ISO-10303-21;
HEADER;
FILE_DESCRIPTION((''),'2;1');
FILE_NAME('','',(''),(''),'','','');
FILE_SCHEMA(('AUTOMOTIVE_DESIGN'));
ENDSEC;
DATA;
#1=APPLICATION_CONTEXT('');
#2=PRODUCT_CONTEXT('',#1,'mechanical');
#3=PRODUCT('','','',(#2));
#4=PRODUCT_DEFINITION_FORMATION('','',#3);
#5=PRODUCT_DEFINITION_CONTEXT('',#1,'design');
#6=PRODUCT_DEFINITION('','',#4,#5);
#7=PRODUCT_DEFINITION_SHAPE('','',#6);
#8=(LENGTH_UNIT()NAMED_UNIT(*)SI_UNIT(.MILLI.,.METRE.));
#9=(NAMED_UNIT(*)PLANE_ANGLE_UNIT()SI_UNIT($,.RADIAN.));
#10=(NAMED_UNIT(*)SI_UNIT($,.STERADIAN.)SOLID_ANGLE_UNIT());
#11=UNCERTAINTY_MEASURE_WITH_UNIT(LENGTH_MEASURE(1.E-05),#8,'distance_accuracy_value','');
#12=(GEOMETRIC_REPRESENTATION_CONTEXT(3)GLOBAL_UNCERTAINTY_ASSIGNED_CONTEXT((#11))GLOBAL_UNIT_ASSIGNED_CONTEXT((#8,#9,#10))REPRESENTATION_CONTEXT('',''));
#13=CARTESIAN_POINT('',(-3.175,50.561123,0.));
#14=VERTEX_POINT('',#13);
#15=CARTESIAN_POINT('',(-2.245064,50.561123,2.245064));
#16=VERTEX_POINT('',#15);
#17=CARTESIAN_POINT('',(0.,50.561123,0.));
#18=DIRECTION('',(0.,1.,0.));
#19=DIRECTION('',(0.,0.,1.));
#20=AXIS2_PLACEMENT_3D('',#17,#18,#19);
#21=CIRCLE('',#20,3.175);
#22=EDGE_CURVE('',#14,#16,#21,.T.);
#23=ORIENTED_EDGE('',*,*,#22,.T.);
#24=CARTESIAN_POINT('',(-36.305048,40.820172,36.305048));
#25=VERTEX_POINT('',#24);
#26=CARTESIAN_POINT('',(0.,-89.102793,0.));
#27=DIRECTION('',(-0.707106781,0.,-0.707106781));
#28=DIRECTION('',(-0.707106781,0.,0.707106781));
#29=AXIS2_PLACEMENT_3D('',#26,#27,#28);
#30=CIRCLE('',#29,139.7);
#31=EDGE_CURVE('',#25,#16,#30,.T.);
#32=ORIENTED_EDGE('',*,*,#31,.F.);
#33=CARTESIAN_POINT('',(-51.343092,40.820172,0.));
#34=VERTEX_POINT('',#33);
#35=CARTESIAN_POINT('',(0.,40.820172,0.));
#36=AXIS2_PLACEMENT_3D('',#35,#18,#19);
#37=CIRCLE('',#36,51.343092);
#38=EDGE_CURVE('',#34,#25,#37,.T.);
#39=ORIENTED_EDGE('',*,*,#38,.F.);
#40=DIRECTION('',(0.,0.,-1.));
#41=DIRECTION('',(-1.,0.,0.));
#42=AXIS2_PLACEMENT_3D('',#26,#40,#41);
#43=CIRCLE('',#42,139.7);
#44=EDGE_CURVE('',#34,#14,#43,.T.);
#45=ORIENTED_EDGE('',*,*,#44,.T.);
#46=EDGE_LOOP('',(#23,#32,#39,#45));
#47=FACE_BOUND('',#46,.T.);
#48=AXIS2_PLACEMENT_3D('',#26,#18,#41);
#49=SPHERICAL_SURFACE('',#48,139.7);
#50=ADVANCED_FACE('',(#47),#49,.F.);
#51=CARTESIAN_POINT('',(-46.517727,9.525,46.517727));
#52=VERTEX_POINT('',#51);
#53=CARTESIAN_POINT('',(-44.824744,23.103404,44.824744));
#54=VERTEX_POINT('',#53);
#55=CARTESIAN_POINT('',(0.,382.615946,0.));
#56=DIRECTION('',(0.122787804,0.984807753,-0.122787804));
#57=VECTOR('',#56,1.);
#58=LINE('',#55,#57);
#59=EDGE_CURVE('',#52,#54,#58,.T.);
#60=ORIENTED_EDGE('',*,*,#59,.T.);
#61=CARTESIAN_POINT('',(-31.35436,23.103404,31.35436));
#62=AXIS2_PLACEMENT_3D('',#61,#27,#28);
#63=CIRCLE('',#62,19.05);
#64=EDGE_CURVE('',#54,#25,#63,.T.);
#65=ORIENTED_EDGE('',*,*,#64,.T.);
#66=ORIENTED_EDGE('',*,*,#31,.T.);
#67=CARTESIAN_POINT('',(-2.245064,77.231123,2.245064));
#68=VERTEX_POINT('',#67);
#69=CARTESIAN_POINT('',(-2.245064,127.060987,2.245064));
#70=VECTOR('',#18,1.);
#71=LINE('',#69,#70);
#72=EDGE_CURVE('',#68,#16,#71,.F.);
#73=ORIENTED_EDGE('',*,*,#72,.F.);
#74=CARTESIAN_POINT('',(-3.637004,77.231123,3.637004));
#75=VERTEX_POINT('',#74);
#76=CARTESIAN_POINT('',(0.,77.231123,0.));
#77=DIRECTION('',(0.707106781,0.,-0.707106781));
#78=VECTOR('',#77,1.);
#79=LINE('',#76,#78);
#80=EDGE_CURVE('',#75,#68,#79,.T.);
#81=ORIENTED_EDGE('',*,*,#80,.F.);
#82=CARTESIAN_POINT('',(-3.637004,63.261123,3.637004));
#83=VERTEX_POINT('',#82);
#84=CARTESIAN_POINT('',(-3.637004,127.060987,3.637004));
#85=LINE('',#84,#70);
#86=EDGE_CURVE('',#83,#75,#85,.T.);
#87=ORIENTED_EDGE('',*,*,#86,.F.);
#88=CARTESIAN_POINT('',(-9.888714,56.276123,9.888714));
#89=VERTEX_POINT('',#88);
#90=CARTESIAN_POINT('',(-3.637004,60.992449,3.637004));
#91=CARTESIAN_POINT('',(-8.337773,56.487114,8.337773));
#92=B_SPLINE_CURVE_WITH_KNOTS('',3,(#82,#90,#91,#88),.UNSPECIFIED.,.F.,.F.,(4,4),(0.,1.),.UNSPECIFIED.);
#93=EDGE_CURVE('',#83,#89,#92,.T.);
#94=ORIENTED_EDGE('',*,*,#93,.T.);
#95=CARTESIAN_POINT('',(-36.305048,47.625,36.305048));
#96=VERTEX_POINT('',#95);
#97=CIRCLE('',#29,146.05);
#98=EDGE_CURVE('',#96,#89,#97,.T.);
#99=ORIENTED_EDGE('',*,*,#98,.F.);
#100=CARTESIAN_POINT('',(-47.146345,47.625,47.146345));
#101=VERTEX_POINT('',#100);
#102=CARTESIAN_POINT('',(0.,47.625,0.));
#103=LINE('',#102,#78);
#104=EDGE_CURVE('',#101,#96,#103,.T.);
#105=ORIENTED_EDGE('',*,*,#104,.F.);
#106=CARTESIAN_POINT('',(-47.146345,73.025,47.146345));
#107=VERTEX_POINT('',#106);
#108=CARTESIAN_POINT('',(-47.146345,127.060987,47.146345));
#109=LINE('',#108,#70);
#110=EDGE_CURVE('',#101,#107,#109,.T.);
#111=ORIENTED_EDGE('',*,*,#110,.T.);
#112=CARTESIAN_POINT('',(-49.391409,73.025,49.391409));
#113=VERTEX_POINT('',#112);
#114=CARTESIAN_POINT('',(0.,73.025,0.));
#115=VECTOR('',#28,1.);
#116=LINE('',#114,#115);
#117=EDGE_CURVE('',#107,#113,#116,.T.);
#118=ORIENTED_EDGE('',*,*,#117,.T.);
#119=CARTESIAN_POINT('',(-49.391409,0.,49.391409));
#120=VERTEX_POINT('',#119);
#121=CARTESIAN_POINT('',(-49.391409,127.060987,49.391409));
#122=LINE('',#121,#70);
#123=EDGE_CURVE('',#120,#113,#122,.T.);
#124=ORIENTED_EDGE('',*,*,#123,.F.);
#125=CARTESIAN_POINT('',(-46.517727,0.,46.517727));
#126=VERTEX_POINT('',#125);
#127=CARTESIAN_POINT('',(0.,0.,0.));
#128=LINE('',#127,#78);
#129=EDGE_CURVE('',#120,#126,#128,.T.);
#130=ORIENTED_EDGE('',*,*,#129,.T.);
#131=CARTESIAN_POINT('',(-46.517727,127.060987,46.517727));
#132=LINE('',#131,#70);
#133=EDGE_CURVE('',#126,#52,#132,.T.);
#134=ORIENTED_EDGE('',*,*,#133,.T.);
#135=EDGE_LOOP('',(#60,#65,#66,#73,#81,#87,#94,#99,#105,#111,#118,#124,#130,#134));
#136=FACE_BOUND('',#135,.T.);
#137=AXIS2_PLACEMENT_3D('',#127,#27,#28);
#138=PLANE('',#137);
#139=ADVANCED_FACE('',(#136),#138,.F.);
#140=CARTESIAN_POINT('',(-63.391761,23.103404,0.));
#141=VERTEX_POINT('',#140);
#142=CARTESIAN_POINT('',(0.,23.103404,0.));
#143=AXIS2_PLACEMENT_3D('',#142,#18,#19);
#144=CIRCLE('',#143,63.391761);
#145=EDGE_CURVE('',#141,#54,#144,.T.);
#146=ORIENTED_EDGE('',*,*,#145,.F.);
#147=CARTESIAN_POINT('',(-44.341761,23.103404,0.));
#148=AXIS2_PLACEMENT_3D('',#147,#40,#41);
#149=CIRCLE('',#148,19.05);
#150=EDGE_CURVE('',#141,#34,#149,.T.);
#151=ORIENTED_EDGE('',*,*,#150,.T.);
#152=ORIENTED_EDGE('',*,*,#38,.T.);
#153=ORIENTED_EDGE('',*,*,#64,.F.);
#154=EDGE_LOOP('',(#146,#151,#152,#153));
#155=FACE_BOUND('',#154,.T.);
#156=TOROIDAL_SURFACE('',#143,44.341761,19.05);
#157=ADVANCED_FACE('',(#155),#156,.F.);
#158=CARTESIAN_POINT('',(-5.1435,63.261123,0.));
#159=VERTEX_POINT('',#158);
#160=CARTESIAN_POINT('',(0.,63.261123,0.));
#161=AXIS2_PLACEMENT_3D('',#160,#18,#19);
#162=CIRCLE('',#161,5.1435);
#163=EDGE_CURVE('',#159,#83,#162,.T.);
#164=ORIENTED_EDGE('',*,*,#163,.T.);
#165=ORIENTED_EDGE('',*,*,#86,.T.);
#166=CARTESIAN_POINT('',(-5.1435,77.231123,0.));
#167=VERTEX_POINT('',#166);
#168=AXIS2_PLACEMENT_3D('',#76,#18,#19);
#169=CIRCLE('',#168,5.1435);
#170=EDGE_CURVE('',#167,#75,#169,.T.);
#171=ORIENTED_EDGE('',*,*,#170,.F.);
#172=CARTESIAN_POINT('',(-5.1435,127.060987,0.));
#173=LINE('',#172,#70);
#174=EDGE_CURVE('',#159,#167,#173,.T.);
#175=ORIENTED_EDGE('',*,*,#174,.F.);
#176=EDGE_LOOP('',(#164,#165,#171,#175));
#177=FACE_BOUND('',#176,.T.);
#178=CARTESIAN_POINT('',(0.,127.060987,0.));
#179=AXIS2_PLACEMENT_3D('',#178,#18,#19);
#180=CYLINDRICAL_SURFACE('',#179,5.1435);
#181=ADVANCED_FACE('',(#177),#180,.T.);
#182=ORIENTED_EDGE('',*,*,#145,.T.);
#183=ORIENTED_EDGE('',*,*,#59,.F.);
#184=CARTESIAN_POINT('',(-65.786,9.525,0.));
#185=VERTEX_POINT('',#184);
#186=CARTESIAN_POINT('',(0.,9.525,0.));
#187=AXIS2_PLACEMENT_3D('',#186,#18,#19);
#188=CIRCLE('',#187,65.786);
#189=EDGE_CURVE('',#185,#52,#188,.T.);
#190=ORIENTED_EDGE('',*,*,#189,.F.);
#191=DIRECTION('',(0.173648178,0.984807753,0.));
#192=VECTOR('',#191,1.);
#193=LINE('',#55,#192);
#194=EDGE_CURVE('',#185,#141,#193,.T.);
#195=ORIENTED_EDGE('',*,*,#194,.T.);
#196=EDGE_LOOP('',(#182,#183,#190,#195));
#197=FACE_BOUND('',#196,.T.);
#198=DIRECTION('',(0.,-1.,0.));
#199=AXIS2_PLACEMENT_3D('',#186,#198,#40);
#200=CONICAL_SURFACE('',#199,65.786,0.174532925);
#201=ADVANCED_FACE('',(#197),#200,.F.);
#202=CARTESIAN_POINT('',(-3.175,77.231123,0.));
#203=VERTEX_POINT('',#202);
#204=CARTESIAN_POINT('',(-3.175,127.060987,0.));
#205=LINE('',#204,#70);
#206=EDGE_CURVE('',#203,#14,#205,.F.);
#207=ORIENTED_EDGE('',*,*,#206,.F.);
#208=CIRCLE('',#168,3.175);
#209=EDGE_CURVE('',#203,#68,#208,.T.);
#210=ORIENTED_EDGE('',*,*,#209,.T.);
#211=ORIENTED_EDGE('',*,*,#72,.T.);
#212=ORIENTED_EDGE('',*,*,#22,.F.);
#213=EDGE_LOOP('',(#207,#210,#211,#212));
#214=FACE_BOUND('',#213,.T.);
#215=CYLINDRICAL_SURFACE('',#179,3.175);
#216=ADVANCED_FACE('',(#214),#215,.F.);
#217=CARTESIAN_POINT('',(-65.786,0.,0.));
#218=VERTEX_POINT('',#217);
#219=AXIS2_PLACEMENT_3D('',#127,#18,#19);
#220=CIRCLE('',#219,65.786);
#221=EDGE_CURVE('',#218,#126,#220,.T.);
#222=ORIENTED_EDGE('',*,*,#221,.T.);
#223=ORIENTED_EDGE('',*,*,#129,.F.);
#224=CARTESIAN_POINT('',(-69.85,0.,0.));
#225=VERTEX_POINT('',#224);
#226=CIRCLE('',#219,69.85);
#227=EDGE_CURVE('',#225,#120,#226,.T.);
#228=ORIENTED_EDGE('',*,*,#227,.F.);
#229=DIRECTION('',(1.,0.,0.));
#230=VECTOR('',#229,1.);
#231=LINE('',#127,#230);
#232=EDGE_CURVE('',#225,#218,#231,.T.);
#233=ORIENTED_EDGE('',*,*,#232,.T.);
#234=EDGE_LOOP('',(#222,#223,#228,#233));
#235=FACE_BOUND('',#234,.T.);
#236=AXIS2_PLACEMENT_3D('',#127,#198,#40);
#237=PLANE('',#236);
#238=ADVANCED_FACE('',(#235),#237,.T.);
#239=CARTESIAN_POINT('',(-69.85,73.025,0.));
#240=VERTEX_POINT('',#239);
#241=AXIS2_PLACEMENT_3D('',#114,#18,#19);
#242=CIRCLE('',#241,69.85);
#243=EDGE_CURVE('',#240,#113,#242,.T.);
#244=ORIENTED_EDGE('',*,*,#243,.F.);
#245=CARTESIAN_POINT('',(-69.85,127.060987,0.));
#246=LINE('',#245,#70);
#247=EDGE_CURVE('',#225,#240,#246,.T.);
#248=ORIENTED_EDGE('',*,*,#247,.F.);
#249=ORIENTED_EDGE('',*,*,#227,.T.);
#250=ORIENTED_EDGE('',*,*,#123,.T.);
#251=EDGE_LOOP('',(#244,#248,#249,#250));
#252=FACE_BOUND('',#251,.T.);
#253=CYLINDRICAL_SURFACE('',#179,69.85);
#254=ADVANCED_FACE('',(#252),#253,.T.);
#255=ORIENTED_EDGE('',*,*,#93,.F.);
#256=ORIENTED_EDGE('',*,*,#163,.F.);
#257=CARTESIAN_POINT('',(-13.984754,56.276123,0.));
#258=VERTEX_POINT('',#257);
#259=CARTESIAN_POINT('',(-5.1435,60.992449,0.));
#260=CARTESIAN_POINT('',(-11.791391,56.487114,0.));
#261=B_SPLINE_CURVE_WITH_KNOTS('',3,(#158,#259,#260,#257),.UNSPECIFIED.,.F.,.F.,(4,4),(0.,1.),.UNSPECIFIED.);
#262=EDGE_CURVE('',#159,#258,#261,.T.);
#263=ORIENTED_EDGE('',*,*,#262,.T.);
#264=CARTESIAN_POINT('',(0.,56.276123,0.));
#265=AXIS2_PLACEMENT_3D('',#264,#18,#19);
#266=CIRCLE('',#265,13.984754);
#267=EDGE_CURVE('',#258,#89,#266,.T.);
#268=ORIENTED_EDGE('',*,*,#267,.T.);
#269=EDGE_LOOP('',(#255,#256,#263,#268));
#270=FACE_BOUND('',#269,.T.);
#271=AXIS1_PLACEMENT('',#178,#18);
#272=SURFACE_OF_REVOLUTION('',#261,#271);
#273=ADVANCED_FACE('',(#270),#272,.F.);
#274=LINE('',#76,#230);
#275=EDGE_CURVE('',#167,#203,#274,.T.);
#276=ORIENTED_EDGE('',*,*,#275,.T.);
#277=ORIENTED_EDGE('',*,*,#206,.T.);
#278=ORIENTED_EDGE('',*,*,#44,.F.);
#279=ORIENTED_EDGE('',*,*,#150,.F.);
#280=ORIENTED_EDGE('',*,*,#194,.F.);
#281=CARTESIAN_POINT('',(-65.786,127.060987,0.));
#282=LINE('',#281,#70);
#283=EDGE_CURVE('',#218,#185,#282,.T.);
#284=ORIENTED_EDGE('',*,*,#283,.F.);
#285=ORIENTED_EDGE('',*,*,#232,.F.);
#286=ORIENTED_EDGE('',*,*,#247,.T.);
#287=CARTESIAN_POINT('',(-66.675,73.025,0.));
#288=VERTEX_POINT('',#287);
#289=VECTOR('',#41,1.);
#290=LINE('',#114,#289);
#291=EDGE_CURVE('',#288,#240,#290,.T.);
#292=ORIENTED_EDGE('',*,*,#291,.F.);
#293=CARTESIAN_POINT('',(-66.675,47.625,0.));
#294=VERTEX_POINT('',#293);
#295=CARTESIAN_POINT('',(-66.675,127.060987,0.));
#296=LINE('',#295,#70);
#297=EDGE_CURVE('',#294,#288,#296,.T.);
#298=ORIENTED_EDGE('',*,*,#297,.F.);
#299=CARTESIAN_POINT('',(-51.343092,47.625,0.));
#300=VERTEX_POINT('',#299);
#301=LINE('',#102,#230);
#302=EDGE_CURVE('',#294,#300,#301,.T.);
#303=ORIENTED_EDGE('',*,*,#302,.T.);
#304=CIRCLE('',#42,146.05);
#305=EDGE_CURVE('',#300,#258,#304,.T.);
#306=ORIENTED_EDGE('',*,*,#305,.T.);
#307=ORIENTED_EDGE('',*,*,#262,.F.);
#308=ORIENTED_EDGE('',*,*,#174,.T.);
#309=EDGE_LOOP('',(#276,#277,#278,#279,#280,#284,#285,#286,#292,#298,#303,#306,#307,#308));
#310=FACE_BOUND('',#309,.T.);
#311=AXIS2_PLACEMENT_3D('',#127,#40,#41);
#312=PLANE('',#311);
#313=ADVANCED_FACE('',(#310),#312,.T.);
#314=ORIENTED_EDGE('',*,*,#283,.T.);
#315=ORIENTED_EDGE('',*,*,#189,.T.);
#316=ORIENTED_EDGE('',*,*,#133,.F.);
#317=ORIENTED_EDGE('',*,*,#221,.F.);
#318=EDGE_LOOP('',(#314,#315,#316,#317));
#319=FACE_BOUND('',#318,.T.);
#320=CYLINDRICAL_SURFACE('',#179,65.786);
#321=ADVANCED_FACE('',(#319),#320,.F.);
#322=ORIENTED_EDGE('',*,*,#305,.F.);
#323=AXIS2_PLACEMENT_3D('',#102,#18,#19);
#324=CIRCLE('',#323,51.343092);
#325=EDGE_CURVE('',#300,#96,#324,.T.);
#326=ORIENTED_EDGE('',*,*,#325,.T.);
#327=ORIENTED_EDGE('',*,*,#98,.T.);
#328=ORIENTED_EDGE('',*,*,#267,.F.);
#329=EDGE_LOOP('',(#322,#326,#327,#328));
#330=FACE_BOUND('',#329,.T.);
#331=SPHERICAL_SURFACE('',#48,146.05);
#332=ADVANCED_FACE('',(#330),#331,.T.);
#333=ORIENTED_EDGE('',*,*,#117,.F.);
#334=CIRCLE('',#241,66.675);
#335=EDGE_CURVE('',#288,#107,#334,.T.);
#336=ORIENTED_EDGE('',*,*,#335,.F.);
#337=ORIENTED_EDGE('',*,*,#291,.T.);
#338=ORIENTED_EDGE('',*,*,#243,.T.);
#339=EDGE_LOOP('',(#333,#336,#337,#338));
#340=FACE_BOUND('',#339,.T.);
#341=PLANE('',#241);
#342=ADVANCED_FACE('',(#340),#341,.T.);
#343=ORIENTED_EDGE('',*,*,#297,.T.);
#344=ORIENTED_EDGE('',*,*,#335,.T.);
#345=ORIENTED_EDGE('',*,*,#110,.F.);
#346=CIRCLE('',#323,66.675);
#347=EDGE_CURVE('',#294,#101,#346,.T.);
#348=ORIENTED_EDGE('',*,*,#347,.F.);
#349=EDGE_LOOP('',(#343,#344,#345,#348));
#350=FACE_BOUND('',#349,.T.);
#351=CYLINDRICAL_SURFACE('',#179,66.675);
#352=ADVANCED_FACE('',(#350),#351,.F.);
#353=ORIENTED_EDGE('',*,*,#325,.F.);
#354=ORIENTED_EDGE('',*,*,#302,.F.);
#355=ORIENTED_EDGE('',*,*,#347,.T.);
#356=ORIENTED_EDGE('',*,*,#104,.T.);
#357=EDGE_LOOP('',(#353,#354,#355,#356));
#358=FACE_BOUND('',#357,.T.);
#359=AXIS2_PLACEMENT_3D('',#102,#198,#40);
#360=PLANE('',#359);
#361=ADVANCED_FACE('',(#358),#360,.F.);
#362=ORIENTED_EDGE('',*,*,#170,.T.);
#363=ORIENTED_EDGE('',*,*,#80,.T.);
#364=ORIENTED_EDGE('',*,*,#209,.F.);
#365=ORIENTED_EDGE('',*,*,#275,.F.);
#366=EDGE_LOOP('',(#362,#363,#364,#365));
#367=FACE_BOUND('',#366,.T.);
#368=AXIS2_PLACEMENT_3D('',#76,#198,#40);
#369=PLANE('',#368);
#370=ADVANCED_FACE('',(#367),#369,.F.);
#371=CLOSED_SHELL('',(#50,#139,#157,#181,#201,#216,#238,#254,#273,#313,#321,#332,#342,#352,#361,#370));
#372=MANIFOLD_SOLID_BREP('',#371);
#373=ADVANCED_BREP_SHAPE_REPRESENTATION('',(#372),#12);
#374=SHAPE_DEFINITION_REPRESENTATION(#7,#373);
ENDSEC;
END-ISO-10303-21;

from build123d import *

# Parameters (mm, degrees)
SKETCH2_W          = 97.871859654
SKETCH2_H          = 113.417127273
CUT_REVOLVE1_ANGLE = 315


with BuildPart() as part:
    # Sketch1 → Revolve2 (revolve)
    with BuildSketch(Plane.XY):
        with BuildLine():
            Line((-69.85, 73.025), (-69.85, 10.954807942))
            Line((-69.85, 10.954807942), (-69.85, 0))
            Line((-69.85, 0), (-67.3735, 0))
            Line((-67.3735, 0), (-65.786, 0))
            Line((-65.786, 0), (-65.786, 9.525))
            Line((-65.786, 9.525), (-63.391760989, 23.103404173))
            ThreePointArc((-63.391760989, 23.103404173), (-60.094186985, 33.816180435), (-51.343091672, 40.820172182))
            ThreePointArc((-51.343091672, 40.820172182), (-27.690740484, 47.825337172), (-3.175, 50.561122579))
            Line((-3.175, 50.561122579), (-3.175, 77.231122579))
            Line((-3.175, 77.231122579), (-5.1435, 77.231122579))
            Line((-5.1435, 77.231122579), (-5.1435, 63.261122579))
            add(Edge.make_bspline(
                [(-5.1435, 63.261122579), (-5.1435, 60.992448788), (-11.791391123, 56.487113553), (-13.98475393, 56.276122579)],
                knots=[0, 0, 0, 0, 1, 1, 1, 1], degree=3))
            ThreePointArc((-13.98475393, 56.276122579), (-32.949086986, 53.181992221), (-51.343091672, 47.625))
            Line((-51.343091672, 47.625), (-66.675, 47.625))
            Line((-66.675, 47.625), (-66.675, 73.025))
            Line((-66.675, 73.025), (-69.85, 73.025))
        make_face()
    revolve(axis=Axis((0, 127.060987048, 0), (0, -1, 0)))

    # Sketch2 → Cut-Revolve1 (revolve, cut)
    with BuildSketch(Plane.XY):
        with Locations((-48.935929827, 30.428788157)):
            Rectangle(SKETCH2_W, SKETCH2_H)
    revolve(axis=Axis((0, 127.060987048, 0), (0, -1, 0)), revolution_arc=CUT_REVOLVE1_ANGLE, mode=Mode.SUBTRACT)


solid = part.part
